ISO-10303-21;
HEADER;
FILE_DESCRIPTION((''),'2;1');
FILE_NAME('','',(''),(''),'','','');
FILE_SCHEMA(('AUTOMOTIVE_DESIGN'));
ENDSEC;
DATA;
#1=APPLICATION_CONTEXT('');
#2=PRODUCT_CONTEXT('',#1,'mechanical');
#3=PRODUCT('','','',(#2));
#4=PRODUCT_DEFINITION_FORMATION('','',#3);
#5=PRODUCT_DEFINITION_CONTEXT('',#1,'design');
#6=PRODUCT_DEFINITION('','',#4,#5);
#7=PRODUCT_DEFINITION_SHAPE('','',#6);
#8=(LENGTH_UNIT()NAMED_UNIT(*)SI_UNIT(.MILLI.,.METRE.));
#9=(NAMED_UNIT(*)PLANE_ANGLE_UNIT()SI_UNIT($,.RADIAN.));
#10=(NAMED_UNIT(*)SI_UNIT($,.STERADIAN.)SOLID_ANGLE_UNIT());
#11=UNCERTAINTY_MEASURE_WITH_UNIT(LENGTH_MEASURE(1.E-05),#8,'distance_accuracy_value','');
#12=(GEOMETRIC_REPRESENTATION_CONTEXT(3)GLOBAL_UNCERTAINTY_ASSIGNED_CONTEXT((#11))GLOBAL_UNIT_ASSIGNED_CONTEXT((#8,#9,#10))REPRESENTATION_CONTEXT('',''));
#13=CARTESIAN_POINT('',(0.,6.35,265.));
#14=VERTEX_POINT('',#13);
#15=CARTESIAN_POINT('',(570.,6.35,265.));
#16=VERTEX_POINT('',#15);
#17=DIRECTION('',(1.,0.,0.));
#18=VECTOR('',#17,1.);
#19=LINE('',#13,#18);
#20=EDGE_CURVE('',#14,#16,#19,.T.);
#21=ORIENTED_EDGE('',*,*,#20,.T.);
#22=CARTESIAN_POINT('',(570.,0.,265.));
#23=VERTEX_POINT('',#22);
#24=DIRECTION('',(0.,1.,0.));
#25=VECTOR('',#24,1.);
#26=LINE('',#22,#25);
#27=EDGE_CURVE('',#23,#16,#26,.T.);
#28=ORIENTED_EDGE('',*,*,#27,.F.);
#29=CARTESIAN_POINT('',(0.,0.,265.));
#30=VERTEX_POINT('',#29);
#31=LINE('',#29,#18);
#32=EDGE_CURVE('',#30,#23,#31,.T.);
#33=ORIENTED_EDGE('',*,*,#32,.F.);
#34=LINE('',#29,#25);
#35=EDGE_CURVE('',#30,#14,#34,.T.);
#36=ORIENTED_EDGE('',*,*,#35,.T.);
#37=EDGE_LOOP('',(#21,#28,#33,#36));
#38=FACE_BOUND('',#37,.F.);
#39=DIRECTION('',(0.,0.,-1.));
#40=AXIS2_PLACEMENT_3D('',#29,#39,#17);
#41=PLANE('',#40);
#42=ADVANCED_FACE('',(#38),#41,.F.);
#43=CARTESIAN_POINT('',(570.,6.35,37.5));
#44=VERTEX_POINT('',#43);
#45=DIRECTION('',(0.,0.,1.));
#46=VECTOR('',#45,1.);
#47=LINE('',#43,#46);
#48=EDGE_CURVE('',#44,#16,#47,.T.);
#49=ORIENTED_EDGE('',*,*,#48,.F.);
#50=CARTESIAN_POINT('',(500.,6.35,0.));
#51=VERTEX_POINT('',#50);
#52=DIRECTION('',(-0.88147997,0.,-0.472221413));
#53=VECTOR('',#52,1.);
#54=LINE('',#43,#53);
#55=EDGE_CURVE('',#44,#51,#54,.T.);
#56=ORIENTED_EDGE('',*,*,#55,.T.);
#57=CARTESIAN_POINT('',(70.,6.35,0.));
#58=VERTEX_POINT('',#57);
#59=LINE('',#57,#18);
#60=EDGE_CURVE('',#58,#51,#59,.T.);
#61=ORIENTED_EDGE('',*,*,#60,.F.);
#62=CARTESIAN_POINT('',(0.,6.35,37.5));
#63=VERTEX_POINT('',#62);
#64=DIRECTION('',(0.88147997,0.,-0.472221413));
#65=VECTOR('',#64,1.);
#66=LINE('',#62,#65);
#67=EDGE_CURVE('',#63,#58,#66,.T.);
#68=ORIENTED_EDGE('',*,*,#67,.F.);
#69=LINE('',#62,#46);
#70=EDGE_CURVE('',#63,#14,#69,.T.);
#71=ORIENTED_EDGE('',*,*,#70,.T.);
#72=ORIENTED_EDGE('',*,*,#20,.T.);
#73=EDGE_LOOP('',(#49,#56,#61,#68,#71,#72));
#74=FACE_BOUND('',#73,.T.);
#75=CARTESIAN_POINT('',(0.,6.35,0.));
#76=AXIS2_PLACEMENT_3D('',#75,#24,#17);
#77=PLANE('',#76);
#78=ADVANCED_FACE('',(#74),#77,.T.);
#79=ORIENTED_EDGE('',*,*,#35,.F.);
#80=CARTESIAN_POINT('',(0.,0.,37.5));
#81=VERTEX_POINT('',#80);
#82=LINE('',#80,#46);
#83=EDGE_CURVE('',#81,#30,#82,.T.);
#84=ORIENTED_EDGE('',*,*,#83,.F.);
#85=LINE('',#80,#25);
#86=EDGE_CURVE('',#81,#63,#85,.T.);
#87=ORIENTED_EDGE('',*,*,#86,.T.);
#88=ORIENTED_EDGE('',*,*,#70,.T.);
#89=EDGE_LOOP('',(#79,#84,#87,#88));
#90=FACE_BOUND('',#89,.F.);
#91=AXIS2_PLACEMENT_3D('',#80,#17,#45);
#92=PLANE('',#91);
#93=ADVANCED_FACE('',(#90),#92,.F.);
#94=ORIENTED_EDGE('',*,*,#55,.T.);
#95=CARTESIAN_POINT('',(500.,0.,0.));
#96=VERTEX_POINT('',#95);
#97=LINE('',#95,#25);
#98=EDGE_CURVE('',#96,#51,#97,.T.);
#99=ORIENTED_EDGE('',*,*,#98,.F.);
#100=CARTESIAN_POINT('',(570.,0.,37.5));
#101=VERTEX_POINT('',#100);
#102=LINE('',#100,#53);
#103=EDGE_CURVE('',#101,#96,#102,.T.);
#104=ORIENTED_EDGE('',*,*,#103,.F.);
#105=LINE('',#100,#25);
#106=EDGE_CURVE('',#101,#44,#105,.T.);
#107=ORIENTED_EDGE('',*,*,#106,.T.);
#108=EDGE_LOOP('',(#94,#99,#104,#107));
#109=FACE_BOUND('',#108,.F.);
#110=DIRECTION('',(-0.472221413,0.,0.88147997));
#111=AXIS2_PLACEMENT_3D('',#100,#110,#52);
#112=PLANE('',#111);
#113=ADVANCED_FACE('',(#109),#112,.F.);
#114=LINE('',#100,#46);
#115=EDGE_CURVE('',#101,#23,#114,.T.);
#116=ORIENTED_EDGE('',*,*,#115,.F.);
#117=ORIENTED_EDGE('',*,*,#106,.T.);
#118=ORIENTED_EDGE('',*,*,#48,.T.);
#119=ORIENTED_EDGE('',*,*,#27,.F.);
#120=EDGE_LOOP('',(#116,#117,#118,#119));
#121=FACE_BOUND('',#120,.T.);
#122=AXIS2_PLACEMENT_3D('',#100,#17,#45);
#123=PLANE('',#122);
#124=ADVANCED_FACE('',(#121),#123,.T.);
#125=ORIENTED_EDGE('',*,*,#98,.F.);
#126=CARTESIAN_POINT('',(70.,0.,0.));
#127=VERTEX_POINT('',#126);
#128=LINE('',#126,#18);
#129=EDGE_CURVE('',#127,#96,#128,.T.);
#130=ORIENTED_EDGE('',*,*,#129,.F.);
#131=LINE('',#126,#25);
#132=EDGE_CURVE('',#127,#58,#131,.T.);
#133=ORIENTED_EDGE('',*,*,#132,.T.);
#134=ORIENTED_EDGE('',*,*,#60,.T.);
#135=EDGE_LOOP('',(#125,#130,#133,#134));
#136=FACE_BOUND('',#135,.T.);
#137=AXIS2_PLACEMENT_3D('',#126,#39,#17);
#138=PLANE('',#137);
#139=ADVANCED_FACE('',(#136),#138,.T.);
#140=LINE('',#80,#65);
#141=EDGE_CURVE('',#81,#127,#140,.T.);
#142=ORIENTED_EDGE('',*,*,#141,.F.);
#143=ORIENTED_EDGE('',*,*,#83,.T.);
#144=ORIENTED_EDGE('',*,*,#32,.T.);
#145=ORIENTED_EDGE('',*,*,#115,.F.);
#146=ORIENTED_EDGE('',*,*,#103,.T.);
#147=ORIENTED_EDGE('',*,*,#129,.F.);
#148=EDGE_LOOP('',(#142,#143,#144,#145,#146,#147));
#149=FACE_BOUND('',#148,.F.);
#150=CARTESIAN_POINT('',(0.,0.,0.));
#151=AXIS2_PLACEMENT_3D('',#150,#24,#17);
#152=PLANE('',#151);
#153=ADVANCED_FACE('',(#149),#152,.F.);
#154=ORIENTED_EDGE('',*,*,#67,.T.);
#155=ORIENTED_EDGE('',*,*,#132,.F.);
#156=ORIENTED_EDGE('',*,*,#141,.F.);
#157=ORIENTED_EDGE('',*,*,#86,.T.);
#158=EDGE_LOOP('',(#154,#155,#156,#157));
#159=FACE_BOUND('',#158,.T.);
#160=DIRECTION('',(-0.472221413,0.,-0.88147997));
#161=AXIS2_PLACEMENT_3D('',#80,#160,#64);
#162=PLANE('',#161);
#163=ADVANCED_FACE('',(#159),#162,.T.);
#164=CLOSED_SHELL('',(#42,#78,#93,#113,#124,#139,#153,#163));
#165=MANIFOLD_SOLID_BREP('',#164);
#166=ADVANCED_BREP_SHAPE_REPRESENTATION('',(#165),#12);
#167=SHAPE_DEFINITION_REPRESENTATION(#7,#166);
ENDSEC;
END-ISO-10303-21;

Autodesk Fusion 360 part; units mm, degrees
sketch "Sketch1" plane through (0, 0, 0) normal (0, 1, 0) x (1, 0, 0)
  line L0 (0, -265) -> (570, -265)
  line L1 (0, -37.5) -> (70, 0)
  line L2 (570, -37.5) -> (500, 0)
  line L3 (0, -37.5) -> (0, -265)
  line L4 (70, 0) -> (500, 0)
  line L5 (570, -37.5) -> (570, -265)
  dimension "d2" = 265
  dimension "d6" = 37.5
extrude "Extrude1" add sketch "Sketch1" along normal blind 6.35
